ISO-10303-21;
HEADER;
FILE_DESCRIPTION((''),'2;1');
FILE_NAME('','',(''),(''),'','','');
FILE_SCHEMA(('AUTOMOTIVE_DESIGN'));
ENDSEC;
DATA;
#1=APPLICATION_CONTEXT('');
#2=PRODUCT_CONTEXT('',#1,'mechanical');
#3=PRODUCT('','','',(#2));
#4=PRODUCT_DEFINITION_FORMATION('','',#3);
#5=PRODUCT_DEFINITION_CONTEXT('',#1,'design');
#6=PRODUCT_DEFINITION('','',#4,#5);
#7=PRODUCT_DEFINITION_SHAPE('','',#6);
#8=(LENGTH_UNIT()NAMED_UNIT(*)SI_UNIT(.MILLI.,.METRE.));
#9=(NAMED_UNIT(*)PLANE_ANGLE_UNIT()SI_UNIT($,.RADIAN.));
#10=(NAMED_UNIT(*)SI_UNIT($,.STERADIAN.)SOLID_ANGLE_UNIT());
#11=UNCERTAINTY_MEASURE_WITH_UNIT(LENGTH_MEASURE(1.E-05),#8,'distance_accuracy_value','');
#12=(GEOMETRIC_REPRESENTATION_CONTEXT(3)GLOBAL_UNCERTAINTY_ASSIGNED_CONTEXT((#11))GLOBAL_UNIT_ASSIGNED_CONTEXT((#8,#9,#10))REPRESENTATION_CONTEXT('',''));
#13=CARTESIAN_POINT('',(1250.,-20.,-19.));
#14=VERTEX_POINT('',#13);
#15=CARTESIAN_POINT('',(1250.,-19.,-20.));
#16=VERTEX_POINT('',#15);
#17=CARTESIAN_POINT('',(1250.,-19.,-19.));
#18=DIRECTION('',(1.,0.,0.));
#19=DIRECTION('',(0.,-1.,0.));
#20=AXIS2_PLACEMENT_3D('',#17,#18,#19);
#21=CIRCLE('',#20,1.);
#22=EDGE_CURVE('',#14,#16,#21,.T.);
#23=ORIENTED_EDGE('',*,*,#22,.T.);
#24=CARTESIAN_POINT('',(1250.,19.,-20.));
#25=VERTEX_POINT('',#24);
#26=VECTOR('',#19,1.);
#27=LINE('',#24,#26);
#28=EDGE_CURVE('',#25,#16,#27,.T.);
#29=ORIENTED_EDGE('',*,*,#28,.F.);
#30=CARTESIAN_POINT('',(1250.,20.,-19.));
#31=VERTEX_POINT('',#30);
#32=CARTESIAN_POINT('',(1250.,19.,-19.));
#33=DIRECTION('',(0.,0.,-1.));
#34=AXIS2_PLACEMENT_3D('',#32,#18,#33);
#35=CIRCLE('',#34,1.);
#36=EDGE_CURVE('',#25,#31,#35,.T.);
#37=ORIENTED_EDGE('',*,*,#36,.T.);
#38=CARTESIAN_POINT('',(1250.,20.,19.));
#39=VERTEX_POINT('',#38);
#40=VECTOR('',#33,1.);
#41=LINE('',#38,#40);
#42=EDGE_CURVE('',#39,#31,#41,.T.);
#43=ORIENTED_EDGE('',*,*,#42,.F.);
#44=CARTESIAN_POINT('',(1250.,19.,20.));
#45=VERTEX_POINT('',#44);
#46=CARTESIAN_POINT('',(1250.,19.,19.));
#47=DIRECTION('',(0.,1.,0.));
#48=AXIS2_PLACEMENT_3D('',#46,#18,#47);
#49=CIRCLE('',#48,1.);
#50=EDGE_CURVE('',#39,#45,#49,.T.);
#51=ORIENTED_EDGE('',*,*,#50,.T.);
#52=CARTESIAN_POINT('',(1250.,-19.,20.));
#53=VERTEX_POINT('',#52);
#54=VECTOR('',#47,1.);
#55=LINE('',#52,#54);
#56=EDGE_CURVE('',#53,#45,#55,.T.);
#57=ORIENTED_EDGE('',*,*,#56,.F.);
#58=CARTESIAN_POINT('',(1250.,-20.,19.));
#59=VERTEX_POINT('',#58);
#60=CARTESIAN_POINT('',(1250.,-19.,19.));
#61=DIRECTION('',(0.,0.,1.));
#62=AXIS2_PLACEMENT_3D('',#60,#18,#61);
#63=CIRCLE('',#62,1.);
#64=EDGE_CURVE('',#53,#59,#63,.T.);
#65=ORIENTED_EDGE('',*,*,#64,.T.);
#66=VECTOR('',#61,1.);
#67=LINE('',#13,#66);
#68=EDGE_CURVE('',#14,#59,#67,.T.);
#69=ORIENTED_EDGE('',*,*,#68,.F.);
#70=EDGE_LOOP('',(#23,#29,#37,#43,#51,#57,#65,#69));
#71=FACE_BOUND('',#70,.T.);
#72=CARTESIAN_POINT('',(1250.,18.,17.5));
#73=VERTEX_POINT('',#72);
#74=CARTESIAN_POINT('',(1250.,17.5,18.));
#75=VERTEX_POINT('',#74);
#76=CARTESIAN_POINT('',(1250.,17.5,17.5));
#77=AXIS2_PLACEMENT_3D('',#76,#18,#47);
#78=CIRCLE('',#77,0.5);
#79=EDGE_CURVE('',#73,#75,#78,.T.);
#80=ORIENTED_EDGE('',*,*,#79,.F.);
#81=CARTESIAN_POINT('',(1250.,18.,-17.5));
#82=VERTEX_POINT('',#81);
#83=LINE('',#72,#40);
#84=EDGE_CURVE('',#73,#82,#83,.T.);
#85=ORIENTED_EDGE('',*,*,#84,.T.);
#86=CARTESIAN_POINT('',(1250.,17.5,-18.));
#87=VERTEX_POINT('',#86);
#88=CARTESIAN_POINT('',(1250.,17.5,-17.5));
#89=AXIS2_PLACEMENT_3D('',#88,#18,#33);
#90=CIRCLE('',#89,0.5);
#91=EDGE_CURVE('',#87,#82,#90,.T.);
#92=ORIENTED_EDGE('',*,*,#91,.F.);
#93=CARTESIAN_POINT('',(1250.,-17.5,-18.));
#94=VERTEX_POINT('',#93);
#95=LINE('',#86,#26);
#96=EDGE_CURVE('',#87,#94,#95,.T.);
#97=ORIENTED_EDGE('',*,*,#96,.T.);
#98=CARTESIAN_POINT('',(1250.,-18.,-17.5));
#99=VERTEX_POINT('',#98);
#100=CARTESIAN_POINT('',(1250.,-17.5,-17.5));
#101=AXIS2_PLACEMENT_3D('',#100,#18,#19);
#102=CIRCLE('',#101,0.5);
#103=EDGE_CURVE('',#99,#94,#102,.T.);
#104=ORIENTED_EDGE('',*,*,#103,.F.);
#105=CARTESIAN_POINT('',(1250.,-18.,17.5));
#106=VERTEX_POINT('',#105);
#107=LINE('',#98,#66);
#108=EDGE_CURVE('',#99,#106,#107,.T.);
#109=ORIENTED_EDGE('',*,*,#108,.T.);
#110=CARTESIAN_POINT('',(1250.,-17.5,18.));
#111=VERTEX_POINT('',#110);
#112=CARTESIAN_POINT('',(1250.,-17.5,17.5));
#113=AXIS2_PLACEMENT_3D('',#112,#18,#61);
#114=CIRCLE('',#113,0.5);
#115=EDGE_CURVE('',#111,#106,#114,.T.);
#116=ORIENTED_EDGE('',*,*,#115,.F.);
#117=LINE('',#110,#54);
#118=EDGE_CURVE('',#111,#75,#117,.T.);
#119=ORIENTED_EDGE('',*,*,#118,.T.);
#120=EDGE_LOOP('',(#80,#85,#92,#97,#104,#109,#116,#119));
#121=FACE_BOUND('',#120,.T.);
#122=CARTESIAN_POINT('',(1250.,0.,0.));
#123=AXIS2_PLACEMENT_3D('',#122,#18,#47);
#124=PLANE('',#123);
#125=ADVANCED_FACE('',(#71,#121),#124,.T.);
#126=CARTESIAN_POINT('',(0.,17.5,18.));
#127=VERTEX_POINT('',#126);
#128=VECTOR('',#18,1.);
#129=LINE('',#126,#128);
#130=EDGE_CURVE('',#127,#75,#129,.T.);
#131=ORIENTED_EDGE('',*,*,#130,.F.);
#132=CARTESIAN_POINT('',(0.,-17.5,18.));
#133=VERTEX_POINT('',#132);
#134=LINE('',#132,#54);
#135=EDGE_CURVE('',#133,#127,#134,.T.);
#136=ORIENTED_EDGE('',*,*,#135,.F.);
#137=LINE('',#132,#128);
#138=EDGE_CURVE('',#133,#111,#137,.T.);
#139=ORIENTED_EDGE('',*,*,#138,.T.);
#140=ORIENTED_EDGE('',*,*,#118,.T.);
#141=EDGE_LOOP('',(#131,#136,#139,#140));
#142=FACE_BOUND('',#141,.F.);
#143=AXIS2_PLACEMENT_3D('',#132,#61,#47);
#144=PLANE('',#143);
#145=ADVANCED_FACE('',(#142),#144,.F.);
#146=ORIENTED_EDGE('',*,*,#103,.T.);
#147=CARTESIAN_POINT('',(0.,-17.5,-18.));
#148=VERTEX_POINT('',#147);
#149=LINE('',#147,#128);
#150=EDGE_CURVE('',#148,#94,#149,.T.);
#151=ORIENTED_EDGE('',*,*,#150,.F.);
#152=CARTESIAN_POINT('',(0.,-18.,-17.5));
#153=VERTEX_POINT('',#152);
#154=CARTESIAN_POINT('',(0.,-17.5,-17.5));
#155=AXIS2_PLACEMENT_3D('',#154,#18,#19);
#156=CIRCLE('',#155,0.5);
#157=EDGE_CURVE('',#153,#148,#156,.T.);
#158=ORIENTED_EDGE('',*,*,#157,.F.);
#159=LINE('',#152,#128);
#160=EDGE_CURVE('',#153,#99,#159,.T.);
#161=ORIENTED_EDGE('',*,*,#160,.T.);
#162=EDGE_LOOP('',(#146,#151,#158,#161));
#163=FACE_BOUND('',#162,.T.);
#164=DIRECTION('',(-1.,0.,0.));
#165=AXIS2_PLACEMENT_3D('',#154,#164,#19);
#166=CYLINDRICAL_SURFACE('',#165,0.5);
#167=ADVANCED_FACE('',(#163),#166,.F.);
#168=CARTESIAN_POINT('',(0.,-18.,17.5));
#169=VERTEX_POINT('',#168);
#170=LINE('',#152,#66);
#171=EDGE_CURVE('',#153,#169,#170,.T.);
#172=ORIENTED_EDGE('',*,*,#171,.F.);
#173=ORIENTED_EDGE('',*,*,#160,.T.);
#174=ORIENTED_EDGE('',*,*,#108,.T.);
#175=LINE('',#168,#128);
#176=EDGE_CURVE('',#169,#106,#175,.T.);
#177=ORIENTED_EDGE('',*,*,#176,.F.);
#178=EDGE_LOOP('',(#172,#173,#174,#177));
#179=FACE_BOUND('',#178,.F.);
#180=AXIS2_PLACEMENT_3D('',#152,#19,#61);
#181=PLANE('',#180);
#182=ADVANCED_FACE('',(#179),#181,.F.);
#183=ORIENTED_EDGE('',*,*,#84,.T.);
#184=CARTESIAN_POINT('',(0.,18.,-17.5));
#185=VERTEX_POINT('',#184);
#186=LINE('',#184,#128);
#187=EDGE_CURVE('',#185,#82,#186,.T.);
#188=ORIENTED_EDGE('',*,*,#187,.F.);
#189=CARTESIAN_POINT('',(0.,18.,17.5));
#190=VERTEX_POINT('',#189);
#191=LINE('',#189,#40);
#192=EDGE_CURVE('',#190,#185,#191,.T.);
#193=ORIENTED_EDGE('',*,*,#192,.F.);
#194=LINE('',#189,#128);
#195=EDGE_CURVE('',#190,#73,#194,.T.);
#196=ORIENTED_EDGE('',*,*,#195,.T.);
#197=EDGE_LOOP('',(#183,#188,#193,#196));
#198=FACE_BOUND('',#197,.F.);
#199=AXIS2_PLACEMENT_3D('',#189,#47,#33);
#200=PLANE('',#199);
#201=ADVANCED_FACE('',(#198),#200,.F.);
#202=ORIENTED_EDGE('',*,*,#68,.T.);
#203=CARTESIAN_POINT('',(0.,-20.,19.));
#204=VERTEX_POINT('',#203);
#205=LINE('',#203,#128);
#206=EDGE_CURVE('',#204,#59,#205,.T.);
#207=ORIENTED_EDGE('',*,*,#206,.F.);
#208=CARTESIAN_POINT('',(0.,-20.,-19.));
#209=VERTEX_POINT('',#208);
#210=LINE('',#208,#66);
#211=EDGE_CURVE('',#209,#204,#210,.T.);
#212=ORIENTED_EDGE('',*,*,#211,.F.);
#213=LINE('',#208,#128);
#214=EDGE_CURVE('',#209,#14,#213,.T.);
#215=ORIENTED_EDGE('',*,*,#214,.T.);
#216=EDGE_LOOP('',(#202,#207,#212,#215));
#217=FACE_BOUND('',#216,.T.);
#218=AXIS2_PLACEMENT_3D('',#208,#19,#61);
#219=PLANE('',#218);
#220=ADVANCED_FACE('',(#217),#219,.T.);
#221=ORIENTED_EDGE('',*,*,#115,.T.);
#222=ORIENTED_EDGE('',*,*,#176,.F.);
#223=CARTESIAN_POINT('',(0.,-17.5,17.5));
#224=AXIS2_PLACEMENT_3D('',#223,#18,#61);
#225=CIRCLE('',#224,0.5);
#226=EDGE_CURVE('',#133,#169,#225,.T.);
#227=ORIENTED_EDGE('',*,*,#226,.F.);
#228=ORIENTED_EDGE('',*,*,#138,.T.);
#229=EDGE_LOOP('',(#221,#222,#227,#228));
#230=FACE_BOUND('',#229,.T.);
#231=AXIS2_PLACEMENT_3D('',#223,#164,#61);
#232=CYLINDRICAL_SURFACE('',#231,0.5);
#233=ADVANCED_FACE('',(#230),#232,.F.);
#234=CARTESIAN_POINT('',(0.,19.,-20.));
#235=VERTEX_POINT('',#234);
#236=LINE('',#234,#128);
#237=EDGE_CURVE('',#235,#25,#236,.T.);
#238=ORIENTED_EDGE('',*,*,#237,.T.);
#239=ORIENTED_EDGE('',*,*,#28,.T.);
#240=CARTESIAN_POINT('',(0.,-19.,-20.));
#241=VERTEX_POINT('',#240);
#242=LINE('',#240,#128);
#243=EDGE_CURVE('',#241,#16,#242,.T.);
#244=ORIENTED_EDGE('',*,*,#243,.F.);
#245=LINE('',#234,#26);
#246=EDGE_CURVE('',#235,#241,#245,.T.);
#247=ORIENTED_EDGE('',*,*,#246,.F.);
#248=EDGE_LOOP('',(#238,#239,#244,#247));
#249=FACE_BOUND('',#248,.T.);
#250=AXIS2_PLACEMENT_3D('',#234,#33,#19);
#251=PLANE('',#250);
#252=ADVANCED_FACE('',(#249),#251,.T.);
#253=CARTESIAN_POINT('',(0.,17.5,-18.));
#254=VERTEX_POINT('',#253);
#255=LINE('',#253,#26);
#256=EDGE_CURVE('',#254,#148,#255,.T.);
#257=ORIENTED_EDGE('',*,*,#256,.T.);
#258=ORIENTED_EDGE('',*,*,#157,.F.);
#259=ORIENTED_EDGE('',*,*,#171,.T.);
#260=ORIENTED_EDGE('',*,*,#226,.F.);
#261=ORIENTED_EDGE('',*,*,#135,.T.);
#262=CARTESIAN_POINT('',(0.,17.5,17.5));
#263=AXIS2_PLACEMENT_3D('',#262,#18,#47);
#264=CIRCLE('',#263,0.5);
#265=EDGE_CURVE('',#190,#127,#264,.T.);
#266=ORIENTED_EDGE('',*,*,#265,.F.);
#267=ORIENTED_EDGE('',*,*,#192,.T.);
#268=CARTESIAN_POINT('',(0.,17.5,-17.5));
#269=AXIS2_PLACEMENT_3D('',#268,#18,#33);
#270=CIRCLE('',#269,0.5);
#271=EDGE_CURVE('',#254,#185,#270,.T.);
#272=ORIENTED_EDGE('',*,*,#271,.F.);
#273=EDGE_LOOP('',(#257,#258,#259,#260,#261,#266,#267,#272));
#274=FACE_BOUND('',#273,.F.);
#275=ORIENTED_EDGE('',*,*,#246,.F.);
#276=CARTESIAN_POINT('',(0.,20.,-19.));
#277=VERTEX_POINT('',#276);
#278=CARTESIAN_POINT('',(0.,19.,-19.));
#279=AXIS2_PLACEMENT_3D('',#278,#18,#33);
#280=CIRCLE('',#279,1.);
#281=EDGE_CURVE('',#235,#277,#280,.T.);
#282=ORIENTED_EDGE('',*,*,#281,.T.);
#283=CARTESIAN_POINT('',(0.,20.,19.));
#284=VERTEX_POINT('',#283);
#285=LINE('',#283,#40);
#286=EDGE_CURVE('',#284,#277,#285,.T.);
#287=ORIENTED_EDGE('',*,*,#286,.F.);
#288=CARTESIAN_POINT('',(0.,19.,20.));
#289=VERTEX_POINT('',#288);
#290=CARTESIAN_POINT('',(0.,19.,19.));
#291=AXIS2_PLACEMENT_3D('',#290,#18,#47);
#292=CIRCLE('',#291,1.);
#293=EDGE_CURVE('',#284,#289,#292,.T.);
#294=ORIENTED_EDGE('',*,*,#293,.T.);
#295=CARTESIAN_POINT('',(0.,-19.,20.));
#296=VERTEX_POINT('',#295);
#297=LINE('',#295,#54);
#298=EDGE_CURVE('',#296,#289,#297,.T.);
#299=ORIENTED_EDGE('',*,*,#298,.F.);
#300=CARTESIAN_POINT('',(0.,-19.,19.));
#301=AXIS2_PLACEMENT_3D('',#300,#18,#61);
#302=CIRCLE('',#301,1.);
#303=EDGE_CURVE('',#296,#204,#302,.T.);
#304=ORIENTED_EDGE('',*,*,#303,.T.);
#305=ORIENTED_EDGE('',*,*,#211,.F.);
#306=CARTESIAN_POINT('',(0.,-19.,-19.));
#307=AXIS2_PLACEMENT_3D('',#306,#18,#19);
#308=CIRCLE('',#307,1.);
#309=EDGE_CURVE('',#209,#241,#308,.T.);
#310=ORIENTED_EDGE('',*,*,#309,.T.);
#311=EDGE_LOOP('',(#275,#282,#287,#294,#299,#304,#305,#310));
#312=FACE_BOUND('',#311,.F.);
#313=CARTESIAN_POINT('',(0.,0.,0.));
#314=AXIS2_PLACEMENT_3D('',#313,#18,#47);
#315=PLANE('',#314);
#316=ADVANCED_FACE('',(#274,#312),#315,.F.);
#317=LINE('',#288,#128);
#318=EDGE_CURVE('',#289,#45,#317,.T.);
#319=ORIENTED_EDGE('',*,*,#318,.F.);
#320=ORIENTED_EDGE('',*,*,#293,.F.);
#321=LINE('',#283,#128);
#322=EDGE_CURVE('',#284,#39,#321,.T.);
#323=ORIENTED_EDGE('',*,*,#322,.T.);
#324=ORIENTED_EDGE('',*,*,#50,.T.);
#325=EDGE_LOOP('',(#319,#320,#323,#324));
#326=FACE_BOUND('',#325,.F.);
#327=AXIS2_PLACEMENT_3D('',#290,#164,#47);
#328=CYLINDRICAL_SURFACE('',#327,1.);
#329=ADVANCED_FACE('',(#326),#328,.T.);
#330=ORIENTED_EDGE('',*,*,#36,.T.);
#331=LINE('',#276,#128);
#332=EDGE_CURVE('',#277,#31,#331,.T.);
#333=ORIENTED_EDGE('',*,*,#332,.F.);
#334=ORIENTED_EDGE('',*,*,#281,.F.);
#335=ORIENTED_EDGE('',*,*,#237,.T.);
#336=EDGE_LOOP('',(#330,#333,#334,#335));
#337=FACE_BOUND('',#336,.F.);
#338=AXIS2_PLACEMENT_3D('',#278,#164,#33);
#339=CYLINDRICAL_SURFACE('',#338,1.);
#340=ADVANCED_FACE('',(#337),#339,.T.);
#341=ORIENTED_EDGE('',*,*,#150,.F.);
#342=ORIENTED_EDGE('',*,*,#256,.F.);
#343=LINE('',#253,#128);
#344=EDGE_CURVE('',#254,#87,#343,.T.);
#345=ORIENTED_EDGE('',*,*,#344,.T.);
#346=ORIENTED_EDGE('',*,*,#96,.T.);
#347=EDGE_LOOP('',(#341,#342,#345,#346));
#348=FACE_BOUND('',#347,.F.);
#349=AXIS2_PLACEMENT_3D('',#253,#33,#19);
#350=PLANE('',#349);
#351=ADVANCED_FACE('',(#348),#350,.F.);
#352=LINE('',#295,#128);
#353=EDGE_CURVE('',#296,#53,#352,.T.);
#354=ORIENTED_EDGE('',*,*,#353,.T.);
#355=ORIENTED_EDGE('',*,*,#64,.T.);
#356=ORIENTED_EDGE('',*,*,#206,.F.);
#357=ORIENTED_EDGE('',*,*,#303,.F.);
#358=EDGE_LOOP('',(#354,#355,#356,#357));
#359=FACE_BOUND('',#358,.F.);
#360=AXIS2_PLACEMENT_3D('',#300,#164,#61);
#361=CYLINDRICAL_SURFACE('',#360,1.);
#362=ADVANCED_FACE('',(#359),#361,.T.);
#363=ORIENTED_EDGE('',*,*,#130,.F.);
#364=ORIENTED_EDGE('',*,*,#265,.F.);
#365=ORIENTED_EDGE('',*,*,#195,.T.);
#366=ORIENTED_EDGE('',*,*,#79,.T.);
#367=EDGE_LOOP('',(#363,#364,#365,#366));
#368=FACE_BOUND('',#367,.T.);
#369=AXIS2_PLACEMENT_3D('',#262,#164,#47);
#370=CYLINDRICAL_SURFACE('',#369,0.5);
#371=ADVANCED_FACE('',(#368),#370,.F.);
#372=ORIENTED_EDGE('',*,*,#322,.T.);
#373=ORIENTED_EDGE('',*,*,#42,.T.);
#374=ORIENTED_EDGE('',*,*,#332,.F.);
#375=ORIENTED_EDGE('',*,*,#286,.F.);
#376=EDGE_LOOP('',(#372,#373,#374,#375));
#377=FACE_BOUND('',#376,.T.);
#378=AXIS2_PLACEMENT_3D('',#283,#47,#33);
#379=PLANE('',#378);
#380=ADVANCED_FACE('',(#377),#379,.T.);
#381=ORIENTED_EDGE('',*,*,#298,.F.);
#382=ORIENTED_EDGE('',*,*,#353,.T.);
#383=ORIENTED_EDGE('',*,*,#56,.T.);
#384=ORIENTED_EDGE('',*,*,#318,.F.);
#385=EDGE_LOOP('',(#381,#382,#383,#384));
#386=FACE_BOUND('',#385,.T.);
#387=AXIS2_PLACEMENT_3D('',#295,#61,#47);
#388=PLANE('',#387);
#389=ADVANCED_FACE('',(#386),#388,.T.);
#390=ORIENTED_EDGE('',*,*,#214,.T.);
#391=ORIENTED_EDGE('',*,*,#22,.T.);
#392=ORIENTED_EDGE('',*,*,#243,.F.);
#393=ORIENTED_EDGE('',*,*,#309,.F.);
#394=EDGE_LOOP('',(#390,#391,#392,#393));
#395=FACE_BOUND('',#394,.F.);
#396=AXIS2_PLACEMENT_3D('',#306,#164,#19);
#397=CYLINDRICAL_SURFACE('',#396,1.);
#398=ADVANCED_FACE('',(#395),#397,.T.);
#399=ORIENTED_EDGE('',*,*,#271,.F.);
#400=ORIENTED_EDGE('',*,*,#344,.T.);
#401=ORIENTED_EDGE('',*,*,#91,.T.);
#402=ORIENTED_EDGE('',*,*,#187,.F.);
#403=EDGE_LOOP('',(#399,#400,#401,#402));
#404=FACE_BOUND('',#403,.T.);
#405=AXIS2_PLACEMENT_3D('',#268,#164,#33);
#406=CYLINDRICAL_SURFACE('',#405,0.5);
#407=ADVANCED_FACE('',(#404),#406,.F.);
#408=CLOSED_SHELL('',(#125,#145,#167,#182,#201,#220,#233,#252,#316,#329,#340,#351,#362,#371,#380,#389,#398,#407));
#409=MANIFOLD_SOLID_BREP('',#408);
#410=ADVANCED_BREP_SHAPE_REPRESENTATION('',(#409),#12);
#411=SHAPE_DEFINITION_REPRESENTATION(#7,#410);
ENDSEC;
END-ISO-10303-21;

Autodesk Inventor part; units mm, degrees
ref_plane "YZ Plane" through (0, 0, 0) normal (1, 0, 0) x (0, 1, 0)
ref_plane "XZ Plane" through (0, 0, 0) normal (0, 1, 0) x (-1, 0, 0)
ref_plane "XY Plane" through (0, 0, 0) normal (0, 0, 1) x (1, 0, 0)
sketch "Skizze1" plane through (0, 0, 0) normal (1, 0, 0) x (0, 1, 0)
  line L0 (-19, 20) -> (19, 20)
  line L1 (20, 19) -> (20, -19)
  line L2 (19, -20) -> (-19, -20)
  line L3 (-20, -19) -> (-20, 19)
  line L4 (-20, 20) -> (20, -20) construction
  line L5 (20, 20) -> (-20, -20) construction
  line L6 (-17.5, 18) -> (17.5, 18)
  line L7 (18, 17.5) -> (18, -17.5)
  line L8 (17.5, -18) -> (-17.5, -18)
  line L9 (-18, -17.5) -> (-18, 17.5)
  line L10 (-18, 18) -> (18, -18) construction
  line L11 (18, 18) -> (-18, -18) construction
  arc A0 (20, 19) -> (19, 20) centre (19, 19) ccw
  arc A1 (-19, 20) -> (-20, 19) centre (-19, 19) ccw
  arc A2 (-20, -19) -> (-19, -20) centre (-19, -19) ccw
  arc A3 (19, -20) -> (20, -19) centre (19, -19) ccw
  arc A4 (18, 17.5) -> (17.5, 18) centre (17.5, 17.5) ccw
  arc A5 (-17.5, 18) -> (-18, 17.5) centre (-17.5, 17.5) ccw
  arc A6 (-18, -17.5) -> (-17.5, -18) centre (-17.5, -17.5) ccw
  arc A7 (17.5, -18) -> (18, -17.5) centre (17.5, -17.5) ccw
  point P0 (0, 0)
  dimension "d0" = 40
  dimension "d1" = 40
  dimension "d2" = 36
  dimension "d3" = 36
  dimension "d4" = 1
  dimension "d5" = 0.5
extrude "Extrusion1" add sketch "Skizze1" along normal blind 1250
properties part number "Ouertraverse_vorne" material "Aluminium 6061"
